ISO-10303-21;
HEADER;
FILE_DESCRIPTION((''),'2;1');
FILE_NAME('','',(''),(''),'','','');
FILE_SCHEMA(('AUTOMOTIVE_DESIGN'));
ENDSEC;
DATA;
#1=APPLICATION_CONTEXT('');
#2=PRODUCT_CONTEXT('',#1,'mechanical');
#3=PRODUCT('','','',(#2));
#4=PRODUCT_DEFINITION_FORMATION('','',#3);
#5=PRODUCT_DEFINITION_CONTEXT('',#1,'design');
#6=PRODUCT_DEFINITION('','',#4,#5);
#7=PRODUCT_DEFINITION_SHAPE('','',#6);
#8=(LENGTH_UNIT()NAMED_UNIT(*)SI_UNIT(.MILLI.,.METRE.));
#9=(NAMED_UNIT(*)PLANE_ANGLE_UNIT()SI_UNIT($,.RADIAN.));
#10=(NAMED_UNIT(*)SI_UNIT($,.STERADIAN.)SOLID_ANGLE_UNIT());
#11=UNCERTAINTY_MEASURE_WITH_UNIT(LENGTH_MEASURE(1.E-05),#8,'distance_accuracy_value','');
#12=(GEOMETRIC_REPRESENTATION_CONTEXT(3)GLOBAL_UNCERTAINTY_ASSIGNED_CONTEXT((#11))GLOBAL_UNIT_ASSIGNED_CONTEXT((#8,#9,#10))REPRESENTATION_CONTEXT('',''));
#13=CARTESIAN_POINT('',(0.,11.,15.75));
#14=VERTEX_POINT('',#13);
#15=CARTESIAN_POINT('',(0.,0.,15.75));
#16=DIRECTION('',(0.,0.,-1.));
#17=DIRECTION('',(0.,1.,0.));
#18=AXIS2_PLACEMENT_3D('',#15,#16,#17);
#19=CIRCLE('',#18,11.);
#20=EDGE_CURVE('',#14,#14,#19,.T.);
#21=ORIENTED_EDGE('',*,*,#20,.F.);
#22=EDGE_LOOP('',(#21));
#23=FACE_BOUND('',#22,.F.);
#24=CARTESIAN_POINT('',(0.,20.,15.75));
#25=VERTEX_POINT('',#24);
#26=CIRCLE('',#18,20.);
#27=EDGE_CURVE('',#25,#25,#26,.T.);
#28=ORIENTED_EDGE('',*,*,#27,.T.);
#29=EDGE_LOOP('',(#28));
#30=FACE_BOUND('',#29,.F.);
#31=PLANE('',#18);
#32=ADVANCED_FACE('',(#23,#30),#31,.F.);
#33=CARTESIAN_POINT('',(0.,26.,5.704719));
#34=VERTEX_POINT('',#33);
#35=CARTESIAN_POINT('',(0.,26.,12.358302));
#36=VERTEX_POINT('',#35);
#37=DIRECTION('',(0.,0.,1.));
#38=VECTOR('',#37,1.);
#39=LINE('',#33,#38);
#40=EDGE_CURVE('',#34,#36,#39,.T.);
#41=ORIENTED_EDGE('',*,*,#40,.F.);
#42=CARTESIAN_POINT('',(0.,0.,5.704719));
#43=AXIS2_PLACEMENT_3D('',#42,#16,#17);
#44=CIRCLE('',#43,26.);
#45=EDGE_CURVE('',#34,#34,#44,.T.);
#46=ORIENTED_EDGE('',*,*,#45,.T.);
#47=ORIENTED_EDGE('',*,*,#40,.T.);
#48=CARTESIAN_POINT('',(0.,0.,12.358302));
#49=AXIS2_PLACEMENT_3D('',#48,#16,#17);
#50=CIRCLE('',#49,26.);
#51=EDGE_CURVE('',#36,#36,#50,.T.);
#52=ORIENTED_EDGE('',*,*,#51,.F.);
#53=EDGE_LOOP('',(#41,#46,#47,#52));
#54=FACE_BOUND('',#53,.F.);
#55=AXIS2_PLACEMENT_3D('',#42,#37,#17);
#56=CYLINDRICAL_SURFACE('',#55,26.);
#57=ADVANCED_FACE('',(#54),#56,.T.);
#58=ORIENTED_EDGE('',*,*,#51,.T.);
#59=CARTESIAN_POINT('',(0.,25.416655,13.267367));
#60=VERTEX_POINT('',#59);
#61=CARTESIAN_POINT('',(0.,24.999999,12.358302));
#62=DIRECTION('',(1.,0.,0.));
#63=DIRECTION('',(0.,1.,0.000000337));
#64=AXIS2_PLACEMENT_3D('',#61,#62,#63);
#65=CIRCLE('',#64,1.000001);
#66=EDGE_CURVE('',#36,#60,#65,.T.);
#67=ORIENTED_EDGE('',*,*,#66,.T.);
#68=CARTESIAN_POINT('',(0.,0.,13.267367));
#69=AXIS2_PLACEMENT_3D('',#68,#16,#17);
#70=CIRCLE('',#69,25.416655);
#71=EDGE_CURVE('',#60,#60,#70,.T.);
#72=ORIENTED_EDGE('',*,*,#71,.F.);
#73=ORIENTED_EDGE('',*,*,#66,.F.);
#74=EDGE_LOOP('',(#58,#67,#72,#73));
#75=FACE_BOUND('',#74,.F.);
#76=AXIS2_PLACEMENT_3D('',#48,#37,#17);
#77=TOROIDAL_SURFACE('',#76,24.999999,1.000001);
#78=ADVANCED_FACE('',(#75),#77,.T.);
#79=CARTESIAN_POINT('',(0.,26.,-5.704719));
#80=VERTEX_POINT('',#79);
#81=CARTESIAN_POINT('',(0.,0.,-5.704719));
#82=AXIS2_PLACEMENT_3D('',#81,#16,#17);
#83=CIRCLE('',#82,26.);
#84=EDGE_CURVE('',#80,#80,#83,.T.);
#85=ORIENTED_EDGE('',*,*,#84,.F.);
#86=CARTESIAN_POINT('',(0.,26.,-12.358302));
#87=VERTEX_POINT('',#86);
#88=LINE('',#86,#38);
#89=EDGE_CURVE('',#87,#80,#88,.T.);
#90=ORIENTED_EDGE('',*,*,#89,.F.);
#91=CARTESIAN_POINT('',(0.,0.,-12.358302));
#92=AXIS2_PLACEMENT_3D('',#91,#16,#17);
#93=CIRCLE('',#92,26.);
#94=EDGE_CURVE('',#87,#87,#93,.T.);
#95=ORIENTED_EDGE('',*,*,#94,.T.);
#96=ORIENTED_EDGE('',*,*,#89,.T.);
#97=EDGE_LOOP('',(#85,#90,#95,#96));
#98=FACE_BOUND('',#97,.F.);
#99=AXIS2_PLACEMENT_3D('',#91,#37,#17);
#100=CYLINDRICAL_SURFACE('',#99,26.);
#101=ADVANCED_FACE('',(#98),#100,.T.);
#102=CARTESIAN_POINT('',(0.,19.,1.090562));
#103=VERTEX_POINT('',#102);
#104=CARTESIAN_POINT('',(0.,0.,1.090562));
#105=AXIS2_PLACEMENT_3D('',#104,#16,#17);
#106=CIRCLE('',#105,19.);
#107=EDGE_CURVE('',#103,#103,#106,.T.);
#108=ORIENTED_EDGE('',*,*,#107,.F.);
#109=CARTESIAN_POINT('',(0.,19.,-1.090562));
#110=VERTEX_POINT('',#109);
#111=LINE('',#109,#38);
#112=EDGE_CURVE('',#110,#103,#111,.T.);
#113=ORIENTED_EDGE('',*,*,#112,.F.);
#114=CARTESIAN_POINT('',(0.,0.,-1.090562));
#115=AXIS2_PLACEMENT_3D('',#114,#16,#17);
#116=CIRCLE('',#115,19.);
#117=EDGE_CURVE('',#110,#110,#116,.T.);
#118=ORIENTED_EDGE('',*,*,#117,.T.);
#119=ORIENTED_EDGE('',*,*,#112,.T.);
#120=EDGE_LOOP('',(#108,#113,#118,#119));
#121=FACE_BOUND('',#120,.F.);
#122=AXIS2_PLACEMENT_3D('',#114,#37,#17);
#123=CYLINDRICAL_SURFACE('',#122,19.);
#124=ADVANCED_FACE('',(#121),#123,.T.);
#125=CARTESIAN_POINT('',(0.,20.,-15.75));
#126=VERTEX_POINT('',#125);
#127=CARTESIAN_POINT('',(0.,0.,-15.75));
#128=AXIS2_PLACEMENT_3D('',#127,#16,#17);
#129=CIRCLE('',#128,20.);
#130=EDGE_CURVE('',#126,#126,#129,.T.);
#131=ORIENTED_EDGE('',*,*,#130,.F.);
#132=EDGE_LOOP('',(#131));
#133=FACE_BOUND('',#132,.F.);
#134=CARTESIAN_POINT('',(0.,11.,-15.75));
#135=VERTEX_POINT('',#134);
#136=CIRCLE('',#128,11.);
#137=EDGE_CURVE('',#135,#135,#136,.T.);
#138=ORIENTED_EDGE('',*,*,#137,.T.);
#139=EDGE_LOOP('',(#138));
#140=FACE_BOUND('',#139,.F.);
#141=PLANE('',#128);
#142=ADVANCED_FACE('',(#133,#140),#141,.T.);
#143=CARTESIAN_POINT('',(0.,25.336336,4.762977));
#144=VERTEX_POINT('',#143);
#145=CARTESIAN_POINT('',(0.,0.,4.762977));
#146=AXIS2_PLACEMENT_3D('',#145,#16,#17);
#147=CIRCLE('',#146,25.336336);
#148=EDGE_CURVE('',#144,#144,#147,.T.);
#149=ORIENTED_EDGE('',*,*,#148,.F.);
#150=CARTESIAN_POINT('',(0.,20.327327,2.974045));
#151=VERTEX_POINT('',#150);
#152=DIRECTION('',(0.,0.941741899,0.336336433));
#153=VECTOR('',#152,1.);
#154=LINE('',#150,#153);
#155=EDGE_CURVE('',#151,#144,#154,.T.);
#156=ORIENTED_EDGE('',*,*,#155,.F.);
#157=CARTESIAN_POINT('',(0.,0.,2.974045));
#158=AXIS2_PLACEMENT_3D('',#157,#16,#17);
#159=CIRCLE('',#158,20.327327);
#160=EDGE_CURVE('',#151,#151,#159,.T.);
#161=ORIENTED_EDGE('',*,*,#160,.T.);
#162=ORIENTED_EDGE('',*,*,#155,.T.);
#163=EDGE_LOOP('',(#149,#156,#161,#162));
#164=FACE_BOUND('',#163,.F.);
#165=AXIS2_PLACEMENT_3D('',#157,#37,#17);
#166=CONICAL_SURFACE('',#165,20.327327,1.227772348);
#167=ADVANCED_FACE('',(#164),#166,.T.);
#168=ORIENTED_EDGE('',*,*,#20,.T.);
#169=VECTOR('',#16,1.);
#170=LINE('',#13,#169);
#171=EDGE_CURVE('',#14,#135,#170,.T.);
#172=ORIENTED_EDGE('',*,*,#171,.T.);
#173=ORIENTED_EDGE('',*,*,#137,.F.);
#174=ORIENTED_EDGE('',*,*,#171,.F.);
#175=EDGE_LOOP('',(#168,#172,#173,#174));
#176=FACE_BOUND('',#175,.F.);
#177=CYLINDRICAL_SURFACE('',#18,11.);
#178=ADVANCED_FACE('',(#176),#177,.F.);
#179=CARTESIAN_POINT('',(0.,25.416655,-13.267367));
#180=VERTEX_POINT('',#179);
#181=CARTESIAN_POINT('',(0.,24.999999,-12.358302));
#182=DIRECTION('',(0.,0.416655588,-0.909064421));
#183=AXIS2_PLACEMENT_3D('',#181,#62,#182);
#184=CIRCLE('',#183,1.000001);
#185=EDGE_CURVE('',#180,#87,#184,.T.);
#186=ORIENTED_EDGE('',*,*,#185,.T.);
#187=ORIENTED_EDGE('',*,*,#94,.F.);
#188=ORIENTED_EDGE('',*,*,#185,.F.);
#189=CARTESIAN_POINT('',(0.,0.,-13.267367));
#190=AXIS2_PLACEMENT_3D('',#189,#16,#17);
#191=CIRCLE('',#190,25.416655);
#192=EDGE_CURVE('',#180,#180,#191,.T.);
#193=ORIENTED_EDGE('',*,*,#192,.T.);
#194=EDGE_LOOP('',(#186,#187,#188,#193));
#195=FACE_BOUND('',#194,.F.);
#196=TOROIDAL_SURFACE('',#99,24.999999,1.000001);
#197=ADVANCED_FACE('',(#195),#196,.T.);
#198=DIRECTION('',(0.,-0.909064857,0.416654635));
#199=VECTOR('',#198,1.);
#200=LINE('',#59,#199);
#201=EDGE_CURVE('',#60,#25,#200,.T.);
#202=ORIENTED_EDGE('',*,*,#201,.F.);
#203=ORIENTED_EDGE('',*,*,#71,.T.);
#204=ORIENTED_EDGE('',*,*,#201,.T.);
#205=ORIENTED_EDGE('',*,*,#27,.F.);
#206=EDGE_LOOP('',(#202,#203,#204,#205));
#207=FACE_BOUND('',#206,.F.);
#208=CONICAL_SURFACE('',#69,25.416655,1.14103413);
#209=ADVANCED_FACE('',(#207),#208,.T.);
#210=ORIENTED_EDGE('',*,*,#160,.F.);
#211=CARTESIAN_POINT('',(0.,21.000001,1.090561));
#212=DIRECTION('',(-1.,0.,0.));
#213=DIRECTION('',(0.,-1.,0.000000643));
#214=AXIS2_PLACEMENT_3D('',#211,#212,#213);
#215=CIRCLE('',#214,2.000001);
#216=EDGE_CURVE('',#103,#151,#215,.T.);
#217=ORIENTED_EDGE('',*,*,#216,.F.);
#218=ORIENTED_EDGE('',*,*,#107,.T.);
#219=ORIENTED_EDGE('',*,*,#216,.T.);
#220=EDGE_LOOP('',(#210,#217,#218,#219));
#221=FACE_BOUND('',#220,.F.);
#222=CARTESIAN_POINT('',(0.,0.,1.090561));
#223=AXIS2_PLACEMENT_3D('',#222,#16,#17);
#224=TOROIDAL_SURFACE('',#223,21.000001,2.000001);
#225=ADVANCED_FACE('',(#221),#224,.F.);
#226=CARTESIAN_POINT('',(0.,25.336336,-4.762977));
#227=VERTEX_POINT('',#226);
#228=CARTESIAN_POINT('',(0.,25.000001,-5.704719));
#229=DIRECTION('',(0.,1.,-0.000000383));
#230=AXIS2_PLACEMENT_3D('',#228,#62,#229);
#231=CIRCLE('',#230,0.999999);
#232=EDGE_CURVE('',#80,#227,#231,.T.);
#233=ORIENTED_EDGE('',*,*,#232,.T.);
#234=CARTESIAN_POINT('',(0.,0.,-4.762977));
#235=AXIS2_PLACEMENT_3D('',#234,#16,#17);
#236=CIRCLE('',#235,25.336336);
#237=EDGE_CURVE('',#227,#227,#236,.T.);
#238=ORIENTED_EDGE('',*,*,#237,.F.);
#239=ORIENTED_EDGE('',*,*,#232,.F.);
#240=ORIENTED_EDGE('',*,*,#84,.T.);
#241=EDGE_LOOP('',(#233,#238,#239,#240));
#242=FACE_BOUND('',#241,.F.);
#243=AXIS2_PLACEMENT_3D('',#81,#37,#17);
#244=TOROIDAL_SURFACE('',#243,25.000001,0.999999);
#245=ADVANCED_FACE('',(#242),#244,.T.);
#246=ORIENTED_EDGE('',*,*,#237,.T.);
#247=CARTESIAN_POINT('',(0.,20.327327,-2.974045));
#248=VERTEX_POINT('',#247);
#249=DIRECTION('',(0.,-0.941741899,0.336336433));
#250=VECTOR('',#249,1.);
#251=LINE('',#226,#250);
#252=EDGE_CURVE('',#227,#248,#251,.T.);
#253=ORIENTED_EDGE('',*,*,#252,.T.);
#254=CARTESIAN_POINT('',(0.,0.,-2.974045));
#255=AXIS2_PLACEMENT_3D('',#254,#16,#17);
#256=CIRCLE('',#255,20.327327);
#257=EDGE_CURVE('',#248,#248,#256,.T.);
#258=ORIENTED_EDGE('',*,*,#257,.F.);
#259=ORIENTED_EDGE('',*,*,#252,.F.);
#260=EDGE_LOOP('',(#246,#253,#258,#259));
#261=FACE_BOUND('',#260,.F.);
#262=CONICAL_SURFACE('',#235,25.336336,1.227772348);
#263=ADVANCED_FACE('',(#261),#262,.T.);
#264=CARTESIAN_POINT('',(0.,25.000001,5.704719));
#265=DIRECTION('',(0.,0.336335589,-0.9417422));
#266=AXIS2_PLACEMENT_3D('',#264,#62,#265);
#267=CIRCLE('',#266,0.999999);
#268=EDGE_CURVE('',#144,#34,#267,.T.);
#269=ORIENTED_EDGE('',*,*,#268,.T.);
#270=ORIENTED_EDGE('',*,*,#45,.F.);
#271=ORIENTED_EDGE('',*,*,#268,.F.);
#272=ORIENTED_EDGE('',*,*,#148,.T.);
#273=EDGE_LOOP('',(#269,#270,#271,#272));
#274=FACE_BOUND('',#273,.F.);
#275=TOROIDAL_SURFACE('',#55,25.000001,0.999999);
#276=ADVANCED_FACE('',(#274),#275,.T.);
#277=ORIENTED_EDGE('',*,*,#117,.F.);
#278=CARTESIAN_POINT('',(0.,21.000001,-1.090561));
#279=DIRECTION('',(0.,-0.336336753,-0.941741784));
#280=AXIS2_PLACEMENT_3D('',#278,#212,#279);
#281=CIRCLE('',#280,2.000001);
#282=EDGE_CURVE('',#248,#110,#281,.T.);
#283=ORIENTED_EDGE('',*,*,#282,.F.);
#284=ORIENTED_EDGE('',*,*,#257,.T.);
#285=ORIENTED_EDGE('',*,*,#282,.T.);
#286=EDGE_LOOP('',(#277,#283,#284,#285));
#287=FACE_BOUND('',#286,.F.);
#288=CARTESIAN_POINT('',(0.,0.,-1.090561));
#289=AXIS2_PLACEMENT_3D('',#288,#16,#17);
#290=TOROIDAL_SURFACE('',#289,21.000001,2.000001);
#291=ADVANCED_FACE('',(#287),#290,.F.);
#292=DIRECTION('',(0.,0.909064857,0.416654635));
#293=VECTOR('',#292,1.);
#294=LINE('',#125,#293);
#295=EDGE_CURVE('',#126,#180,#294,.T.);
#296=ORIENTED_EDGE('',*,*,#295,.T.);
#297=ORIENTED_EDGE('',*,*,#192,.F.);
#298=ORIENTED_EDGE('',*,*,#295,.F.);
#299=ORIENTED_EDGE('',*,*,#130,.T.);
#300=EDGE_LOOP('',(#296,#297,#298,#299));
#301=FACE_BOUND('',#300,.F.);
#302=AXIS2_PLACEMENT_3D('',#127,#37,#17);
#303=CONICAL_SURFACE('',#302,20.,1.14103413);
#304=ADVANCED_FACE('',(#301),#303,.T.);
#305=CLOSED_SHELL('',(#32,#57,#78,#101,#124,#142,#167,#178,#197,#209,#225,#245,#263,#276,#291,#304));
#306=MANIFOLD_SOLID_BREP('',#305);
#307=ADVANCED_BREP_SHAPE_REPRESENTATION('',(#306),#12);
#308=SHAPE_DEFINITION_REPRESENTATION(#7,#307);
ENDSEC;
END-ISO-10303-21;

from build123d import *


with BuildPart() as f1:
    # F0 (on Right) → F1 (revolve)
    with BuildSketch(Plane.YZ):
        with BuildLine():
            Line((20, 15.75), (11, 15.75))
            Line((11, 15.75), (11, -15.75))
            Line((11, -15.75), (20, -15.75))
            Line((20, -15.75), (25.416655, -13.267367))
            ThreePointArc((25.416655, -13.267367), (25.841622, -12.898369), (26, -12.358302))
            Line((26, -12.358302), (26, -5.704719))
            ThreePointArc((26, -5.704719), (25.817416, -5.128671), (25.336336, -4.762977))
            Line((25.336336, -4.762977), (20.327327, -2.974045))
            ThreePointArc((20.327327, -2.974045), (19.365169, -2.242658), (19, -1.090562))
            Line((19, -1.090562), (19, 0))
            Line((19, 0), (19, 1.090562))
            ThreePointArc((19, 1.090562), (19.365169, 2.242658), (20.327327, 2.974045))
            Line((20.327327, 2.974045), (25.336336, 4.762977))
            ThreePointArc((25.336336, 4.762977), (25.817416, 5.128671), (26, 5.704719))
            Line((26, 5.704719), (26, 12.358302))
            ThreePointArc((26, 12.358302), (25.841622, 12.898369), (25.416655, 13.267367))
            Line((25.416655, 13.267367), (20, 15.75))
        make_face()
    revolve(axis=Axis((0, 0, 0.936903), (0, 0, -1)))


solid = f1.part
